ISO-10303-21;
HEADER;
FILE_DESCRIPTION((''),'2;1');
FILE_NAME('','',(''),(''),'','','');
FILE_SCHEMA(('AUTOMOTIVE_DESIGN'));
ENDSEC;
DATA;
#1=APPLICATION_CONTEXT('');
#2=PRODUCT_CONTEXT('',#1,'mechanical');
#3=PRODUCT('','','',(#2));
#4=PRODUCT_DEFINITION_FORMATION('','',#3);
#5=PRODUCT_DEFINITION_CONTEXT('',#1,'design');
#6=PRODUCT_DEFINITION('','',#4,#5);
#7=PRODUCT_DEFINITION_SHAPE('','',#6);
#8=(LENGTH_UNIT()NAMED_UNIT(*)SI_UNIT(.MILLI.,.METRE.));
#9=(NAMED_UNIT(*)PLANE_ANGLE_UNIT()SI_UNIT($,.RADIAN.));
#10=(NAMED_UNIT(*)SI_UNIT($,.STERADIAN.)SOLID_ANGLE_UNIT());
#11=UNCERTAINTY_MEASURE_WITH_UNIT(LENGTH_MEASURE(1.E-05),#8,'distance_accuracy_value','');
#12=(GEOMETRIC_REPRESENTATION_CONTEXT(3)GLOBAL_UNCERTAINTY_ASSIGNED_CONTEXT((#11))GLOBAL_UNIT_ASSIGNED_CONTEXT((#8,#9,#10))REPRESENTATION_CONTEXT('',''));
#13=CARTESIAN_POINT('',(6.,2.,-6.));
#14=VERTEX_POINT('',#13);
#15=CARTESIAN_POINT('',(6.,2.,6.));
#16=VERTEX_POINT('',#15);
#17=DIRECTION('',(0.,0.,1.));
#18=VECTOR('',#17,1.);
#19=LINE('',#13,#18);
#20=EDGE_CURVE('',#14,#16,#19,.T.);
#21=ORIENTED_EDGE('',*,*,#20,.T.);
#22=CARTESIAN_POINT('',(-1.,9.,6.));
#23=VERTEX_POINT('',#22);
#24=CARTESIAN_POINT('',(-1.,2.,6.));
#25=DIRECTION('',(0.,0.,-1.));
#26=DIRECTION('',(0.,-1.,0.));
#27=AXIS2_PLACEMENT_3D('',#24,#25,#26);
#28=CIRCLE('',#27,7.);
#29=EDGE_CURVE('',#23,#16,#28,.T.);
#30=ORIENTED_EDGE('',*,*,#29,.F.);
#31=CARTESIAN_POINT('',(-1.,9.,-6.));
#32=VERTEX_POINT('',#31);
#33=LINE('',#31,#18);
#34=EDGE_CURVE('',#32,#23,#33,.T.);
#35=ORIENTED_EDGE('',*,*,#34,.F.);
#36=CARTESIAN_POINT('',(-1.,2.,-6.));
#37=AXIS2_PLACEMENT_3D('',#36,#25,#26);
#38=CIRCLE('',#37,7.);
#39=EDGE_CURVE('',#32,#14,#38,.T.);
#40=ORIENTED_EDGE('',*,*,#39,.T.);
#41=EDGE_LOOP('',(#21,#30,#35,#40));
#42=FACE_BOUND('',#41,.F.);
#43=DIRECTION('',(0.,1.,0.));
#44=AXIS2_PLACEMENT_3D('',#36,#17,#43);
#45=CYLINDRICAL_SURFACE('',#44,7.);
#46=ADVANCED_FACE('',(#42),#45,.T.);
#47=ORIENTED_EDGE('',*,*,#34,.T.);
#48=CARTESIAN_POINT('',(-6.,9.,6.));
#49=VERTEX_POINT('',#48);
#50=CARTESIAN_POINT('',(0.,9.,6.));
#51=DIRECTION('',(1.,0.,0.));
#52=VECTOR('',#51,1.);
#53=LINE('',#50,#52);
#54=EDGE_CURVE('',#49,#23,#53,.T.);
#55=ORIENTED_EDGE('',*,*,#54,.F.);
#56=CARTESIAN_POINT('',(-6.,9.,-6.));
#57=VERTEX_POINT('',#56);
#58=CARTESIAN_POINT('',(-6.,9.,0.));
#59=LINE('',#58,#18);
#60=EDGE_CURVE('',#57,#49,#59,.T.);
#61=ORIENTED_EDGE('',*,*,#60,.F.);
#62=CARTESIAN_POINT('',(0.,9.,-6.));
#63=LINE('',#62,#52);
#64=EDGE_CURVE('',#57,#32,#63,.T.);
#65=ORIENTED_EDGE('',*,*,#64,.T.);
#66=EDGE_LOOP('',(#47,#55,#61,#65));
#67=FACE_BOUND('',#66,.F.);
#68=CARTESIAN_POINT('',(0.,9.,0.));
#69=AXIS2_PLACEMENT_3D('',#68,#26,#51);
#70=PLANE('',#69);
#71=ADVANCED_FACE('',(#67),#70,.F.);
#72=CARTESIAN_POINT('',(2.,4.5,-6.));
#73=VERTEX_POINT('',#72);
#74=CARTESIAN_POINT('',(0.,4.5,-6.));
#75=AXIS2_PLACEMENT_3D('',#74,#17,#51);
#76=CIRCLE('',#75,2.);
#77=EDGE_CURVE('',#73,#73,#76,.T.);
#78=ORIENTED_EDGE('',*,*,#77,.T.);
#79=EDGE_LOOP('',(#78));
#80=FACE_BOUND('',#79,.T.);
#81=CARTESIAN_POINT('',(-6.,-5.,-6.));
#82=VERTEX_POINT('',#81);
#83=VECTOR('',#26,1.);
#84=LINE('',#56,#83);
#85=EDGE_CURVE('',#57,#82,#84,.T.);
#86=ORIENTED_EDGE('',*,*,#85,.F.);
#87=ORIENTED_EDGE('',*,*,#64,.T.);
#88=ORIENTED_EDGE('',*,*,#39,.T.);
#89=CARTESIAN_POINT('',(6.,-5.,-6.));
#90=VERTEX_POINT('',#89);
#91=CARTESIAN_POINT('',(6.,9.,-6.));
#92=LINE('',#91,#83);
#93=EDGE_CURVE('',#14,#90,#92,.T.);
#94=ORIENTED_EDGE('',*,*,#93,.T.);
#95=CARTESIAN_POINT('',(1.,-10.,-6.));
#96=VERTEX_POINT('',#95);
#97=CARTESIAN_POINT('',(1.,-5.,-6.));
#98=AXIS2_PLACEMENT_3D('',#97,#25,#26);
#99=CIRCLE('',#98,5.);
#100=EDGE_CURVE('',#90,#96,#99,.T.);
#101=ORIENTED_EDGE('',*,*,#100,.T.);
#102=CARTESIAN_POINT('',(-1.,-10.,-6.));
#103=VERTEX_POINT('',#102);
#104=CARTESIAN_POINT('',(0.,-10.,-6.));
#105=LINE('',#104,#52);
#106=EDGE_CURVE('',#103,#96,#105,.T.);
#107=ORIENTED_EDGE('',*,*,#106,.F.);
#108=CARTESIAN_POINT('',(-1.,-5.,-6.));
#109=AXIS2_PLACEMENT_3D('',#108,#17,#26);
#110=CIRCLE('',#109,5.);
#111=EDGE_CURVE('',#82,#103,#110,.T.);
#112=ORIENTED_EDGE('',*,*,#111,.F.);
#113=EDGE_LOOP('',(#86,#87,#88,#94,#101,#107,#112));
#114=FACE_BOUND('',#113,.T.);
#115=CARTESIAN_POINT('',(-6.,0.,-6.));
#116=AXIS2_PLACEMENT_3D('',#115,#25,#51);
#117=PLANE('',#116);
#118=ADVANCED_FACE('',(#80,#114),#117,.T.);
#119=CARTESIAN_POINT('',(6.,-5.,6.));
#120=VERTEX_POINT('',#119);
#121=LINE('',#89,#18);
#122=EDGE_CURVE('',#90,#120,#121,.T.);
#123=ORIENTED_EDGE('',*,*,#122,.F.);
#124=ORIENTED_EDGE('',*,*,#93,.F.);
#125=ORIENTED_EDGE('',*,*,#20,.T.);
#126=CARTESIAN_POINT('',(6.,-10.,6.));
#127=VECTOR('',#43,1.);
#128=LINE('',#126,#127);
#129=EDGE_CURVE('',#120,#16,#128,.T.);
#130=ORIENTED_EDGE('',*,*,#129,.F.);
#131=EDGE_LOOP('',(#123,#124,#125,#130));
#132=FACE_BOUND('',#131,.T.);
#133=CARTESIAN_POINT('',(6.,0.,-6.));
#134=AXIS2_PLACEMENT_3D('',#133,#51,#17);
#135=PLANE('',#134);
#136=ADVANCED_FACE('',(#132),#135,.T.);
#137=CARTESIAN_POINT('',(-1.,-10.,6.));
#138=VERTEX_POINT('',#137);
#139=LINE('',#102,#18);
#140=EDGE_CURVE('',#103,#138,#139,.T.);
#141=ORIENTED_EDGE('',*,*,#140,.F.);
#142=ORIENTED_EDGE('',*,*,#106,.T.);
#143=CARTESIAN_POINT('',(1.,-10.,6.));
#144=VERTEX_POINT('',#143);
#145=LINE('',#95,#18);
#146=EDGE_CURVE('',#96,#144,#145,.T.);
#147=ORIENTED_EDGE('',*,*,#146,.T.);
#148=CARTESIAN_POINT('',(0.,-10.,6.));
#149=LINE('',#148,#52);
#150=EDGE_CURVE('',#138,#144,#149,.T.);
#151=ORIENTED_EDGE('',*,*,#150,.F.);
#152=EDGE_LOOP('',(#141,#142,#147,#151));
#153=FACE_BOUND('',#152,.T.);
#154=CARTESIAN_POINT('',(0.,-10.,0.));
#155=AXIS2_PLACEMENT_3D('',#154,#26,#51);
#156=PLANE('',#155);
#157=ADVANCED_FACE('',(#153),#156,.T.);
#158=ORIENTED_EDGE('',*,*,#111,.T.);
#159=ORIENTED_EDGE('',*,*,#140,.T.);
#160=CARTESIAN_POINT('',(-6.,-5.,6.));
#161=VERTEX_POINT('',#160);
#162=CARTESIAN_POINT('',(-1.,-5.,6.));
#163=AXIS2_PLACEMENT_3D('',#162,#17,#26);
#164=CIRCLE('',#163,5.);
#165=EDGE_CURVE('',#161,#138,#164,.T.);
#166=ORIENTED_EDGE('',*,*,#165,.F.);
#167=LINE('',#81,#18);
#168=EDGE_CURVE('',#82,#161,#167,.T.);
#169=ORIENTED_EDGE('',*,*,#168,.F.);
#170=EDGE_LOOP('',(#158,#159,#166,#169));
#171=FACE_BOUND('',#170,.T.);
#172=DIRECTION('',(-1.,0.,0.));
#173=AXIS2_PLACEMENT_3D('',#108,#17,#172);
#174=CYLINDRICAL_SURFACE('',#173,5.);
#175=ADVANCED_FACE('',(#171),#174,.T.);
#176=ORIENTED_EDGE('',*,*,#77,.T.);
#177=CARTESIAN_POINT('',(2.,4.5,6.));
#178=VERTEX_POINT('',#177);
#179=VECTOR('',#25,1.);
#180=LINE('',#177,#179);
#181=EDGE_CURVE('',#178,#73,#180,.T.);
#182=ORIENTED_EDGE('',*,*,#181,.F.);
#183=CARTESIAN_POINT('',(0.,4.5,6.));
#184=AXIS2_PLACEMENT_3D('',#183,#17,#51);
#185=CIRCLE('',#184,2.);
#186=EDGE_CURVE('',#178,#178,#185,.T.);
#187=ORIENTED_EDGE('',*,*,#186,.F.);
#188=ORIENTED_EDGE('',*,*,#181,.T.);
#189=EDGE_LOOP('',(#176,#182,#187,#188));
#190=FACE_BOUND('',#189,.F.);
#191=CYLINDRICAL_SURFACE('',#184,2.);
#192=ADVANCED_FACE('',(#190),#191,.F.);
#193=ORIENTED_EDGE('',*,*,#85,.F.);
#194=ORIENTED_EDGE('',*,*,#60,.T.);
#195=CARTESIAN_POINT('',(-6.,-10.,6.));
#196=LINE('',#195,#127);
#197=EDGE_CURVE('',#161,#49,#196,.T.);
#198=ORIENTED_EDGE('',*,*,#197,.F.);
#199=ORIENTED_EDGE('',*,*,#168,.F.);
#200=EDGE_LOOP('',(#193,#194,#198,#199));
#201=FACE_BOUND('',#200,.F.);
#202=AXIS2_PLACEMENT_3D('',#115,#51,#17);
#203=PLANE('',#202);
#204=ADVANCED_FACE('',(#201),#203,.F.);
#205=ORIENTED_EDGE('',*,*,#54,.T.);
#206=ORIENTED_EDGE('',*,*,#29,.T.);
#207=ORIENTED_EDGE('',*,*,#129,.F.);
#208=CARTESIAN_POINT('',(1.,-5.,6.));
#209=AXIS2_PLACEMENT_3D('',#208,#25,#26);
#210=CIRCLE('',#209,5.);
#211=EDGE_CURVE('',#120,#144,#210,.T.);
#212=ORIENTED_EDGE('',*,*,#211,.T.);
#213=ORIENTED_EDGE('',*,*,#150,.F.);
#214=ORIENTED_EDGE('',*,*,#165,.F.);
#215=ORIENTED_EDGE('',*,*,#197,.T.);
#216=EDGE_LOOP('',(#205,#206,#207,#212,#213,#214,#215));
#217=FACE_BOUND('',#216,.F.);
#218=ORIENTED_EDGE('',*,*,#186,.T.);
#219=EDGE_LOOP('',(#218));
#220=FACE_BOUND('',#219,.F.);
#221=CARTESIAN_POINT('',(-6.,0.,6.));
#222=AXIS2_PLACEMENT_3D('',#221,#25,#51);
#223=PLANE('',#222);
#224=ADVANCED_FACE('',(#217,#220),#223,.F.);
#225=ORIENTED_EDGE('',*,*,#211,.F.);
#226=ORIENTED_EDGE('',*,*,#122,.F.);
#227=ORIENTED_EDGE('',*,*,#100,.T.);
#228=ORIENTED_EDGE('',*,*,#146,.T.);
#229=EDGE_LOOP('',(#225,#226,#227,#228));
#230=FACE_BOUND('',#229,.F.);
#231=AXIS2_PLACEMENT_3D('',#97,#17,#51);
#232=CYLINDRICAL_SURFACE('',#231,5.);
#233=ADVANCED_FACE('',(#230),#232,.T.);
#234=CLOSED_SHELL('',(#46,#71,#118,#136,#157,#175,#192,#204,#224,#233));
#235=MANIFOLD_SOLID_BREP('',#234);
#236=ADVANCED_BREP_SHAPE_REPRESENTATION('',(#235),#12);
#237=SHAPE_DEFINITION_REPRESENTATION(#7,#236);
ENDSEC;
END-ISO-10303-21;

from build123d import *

# Parameters (mm, degrees)
F0_W     = 12
F0_H     = 12
F1_DEPTH = 10
F2_DEPTH = 9
F3_R     = 2
F4_DEPTH = 13
F5_R     = 7
F6_R     = 5


with BuildPart() as f1:
    # F0 (on Front) → F1 (new body)
    with BuildSketch(Plane.XZ):
        Rectangle(F0_W, F0_H)
    extrude(amount=F1_DEPTH)

    # F2 (add): a face of the model
    f2_faces = [f1.faces().sort_by_distance(p)[0] for p in [
        (0, 0, 0),
    ]]
    extrude(f2_faces, amount=F2_DEPTH)

    # F3 (on face) → F4 (cut)
    with BuildSketch(Plane.XY.offset(6)):
        with Locations((0, 4.5)):
            Circle(F3_R)
    extrude(amount=-F4_DEPTH, mode=Mode.SUBTRACT)

    # F5
    f5_edges = [f1.edges().sort_by_distance(p)[0] for p in [
        (6, 9, 0),
    ]]
    fillet(f5_edges, radius=F5_R)

    # F6
    f6_edges = [f1.edges().sort_by_distance(p)[0] for p in [
        (6, -10, 0),
        (-6, -10, 0),
    ]]
    fillet(f6_edges, radius=F6_R)


solid = f1.part
